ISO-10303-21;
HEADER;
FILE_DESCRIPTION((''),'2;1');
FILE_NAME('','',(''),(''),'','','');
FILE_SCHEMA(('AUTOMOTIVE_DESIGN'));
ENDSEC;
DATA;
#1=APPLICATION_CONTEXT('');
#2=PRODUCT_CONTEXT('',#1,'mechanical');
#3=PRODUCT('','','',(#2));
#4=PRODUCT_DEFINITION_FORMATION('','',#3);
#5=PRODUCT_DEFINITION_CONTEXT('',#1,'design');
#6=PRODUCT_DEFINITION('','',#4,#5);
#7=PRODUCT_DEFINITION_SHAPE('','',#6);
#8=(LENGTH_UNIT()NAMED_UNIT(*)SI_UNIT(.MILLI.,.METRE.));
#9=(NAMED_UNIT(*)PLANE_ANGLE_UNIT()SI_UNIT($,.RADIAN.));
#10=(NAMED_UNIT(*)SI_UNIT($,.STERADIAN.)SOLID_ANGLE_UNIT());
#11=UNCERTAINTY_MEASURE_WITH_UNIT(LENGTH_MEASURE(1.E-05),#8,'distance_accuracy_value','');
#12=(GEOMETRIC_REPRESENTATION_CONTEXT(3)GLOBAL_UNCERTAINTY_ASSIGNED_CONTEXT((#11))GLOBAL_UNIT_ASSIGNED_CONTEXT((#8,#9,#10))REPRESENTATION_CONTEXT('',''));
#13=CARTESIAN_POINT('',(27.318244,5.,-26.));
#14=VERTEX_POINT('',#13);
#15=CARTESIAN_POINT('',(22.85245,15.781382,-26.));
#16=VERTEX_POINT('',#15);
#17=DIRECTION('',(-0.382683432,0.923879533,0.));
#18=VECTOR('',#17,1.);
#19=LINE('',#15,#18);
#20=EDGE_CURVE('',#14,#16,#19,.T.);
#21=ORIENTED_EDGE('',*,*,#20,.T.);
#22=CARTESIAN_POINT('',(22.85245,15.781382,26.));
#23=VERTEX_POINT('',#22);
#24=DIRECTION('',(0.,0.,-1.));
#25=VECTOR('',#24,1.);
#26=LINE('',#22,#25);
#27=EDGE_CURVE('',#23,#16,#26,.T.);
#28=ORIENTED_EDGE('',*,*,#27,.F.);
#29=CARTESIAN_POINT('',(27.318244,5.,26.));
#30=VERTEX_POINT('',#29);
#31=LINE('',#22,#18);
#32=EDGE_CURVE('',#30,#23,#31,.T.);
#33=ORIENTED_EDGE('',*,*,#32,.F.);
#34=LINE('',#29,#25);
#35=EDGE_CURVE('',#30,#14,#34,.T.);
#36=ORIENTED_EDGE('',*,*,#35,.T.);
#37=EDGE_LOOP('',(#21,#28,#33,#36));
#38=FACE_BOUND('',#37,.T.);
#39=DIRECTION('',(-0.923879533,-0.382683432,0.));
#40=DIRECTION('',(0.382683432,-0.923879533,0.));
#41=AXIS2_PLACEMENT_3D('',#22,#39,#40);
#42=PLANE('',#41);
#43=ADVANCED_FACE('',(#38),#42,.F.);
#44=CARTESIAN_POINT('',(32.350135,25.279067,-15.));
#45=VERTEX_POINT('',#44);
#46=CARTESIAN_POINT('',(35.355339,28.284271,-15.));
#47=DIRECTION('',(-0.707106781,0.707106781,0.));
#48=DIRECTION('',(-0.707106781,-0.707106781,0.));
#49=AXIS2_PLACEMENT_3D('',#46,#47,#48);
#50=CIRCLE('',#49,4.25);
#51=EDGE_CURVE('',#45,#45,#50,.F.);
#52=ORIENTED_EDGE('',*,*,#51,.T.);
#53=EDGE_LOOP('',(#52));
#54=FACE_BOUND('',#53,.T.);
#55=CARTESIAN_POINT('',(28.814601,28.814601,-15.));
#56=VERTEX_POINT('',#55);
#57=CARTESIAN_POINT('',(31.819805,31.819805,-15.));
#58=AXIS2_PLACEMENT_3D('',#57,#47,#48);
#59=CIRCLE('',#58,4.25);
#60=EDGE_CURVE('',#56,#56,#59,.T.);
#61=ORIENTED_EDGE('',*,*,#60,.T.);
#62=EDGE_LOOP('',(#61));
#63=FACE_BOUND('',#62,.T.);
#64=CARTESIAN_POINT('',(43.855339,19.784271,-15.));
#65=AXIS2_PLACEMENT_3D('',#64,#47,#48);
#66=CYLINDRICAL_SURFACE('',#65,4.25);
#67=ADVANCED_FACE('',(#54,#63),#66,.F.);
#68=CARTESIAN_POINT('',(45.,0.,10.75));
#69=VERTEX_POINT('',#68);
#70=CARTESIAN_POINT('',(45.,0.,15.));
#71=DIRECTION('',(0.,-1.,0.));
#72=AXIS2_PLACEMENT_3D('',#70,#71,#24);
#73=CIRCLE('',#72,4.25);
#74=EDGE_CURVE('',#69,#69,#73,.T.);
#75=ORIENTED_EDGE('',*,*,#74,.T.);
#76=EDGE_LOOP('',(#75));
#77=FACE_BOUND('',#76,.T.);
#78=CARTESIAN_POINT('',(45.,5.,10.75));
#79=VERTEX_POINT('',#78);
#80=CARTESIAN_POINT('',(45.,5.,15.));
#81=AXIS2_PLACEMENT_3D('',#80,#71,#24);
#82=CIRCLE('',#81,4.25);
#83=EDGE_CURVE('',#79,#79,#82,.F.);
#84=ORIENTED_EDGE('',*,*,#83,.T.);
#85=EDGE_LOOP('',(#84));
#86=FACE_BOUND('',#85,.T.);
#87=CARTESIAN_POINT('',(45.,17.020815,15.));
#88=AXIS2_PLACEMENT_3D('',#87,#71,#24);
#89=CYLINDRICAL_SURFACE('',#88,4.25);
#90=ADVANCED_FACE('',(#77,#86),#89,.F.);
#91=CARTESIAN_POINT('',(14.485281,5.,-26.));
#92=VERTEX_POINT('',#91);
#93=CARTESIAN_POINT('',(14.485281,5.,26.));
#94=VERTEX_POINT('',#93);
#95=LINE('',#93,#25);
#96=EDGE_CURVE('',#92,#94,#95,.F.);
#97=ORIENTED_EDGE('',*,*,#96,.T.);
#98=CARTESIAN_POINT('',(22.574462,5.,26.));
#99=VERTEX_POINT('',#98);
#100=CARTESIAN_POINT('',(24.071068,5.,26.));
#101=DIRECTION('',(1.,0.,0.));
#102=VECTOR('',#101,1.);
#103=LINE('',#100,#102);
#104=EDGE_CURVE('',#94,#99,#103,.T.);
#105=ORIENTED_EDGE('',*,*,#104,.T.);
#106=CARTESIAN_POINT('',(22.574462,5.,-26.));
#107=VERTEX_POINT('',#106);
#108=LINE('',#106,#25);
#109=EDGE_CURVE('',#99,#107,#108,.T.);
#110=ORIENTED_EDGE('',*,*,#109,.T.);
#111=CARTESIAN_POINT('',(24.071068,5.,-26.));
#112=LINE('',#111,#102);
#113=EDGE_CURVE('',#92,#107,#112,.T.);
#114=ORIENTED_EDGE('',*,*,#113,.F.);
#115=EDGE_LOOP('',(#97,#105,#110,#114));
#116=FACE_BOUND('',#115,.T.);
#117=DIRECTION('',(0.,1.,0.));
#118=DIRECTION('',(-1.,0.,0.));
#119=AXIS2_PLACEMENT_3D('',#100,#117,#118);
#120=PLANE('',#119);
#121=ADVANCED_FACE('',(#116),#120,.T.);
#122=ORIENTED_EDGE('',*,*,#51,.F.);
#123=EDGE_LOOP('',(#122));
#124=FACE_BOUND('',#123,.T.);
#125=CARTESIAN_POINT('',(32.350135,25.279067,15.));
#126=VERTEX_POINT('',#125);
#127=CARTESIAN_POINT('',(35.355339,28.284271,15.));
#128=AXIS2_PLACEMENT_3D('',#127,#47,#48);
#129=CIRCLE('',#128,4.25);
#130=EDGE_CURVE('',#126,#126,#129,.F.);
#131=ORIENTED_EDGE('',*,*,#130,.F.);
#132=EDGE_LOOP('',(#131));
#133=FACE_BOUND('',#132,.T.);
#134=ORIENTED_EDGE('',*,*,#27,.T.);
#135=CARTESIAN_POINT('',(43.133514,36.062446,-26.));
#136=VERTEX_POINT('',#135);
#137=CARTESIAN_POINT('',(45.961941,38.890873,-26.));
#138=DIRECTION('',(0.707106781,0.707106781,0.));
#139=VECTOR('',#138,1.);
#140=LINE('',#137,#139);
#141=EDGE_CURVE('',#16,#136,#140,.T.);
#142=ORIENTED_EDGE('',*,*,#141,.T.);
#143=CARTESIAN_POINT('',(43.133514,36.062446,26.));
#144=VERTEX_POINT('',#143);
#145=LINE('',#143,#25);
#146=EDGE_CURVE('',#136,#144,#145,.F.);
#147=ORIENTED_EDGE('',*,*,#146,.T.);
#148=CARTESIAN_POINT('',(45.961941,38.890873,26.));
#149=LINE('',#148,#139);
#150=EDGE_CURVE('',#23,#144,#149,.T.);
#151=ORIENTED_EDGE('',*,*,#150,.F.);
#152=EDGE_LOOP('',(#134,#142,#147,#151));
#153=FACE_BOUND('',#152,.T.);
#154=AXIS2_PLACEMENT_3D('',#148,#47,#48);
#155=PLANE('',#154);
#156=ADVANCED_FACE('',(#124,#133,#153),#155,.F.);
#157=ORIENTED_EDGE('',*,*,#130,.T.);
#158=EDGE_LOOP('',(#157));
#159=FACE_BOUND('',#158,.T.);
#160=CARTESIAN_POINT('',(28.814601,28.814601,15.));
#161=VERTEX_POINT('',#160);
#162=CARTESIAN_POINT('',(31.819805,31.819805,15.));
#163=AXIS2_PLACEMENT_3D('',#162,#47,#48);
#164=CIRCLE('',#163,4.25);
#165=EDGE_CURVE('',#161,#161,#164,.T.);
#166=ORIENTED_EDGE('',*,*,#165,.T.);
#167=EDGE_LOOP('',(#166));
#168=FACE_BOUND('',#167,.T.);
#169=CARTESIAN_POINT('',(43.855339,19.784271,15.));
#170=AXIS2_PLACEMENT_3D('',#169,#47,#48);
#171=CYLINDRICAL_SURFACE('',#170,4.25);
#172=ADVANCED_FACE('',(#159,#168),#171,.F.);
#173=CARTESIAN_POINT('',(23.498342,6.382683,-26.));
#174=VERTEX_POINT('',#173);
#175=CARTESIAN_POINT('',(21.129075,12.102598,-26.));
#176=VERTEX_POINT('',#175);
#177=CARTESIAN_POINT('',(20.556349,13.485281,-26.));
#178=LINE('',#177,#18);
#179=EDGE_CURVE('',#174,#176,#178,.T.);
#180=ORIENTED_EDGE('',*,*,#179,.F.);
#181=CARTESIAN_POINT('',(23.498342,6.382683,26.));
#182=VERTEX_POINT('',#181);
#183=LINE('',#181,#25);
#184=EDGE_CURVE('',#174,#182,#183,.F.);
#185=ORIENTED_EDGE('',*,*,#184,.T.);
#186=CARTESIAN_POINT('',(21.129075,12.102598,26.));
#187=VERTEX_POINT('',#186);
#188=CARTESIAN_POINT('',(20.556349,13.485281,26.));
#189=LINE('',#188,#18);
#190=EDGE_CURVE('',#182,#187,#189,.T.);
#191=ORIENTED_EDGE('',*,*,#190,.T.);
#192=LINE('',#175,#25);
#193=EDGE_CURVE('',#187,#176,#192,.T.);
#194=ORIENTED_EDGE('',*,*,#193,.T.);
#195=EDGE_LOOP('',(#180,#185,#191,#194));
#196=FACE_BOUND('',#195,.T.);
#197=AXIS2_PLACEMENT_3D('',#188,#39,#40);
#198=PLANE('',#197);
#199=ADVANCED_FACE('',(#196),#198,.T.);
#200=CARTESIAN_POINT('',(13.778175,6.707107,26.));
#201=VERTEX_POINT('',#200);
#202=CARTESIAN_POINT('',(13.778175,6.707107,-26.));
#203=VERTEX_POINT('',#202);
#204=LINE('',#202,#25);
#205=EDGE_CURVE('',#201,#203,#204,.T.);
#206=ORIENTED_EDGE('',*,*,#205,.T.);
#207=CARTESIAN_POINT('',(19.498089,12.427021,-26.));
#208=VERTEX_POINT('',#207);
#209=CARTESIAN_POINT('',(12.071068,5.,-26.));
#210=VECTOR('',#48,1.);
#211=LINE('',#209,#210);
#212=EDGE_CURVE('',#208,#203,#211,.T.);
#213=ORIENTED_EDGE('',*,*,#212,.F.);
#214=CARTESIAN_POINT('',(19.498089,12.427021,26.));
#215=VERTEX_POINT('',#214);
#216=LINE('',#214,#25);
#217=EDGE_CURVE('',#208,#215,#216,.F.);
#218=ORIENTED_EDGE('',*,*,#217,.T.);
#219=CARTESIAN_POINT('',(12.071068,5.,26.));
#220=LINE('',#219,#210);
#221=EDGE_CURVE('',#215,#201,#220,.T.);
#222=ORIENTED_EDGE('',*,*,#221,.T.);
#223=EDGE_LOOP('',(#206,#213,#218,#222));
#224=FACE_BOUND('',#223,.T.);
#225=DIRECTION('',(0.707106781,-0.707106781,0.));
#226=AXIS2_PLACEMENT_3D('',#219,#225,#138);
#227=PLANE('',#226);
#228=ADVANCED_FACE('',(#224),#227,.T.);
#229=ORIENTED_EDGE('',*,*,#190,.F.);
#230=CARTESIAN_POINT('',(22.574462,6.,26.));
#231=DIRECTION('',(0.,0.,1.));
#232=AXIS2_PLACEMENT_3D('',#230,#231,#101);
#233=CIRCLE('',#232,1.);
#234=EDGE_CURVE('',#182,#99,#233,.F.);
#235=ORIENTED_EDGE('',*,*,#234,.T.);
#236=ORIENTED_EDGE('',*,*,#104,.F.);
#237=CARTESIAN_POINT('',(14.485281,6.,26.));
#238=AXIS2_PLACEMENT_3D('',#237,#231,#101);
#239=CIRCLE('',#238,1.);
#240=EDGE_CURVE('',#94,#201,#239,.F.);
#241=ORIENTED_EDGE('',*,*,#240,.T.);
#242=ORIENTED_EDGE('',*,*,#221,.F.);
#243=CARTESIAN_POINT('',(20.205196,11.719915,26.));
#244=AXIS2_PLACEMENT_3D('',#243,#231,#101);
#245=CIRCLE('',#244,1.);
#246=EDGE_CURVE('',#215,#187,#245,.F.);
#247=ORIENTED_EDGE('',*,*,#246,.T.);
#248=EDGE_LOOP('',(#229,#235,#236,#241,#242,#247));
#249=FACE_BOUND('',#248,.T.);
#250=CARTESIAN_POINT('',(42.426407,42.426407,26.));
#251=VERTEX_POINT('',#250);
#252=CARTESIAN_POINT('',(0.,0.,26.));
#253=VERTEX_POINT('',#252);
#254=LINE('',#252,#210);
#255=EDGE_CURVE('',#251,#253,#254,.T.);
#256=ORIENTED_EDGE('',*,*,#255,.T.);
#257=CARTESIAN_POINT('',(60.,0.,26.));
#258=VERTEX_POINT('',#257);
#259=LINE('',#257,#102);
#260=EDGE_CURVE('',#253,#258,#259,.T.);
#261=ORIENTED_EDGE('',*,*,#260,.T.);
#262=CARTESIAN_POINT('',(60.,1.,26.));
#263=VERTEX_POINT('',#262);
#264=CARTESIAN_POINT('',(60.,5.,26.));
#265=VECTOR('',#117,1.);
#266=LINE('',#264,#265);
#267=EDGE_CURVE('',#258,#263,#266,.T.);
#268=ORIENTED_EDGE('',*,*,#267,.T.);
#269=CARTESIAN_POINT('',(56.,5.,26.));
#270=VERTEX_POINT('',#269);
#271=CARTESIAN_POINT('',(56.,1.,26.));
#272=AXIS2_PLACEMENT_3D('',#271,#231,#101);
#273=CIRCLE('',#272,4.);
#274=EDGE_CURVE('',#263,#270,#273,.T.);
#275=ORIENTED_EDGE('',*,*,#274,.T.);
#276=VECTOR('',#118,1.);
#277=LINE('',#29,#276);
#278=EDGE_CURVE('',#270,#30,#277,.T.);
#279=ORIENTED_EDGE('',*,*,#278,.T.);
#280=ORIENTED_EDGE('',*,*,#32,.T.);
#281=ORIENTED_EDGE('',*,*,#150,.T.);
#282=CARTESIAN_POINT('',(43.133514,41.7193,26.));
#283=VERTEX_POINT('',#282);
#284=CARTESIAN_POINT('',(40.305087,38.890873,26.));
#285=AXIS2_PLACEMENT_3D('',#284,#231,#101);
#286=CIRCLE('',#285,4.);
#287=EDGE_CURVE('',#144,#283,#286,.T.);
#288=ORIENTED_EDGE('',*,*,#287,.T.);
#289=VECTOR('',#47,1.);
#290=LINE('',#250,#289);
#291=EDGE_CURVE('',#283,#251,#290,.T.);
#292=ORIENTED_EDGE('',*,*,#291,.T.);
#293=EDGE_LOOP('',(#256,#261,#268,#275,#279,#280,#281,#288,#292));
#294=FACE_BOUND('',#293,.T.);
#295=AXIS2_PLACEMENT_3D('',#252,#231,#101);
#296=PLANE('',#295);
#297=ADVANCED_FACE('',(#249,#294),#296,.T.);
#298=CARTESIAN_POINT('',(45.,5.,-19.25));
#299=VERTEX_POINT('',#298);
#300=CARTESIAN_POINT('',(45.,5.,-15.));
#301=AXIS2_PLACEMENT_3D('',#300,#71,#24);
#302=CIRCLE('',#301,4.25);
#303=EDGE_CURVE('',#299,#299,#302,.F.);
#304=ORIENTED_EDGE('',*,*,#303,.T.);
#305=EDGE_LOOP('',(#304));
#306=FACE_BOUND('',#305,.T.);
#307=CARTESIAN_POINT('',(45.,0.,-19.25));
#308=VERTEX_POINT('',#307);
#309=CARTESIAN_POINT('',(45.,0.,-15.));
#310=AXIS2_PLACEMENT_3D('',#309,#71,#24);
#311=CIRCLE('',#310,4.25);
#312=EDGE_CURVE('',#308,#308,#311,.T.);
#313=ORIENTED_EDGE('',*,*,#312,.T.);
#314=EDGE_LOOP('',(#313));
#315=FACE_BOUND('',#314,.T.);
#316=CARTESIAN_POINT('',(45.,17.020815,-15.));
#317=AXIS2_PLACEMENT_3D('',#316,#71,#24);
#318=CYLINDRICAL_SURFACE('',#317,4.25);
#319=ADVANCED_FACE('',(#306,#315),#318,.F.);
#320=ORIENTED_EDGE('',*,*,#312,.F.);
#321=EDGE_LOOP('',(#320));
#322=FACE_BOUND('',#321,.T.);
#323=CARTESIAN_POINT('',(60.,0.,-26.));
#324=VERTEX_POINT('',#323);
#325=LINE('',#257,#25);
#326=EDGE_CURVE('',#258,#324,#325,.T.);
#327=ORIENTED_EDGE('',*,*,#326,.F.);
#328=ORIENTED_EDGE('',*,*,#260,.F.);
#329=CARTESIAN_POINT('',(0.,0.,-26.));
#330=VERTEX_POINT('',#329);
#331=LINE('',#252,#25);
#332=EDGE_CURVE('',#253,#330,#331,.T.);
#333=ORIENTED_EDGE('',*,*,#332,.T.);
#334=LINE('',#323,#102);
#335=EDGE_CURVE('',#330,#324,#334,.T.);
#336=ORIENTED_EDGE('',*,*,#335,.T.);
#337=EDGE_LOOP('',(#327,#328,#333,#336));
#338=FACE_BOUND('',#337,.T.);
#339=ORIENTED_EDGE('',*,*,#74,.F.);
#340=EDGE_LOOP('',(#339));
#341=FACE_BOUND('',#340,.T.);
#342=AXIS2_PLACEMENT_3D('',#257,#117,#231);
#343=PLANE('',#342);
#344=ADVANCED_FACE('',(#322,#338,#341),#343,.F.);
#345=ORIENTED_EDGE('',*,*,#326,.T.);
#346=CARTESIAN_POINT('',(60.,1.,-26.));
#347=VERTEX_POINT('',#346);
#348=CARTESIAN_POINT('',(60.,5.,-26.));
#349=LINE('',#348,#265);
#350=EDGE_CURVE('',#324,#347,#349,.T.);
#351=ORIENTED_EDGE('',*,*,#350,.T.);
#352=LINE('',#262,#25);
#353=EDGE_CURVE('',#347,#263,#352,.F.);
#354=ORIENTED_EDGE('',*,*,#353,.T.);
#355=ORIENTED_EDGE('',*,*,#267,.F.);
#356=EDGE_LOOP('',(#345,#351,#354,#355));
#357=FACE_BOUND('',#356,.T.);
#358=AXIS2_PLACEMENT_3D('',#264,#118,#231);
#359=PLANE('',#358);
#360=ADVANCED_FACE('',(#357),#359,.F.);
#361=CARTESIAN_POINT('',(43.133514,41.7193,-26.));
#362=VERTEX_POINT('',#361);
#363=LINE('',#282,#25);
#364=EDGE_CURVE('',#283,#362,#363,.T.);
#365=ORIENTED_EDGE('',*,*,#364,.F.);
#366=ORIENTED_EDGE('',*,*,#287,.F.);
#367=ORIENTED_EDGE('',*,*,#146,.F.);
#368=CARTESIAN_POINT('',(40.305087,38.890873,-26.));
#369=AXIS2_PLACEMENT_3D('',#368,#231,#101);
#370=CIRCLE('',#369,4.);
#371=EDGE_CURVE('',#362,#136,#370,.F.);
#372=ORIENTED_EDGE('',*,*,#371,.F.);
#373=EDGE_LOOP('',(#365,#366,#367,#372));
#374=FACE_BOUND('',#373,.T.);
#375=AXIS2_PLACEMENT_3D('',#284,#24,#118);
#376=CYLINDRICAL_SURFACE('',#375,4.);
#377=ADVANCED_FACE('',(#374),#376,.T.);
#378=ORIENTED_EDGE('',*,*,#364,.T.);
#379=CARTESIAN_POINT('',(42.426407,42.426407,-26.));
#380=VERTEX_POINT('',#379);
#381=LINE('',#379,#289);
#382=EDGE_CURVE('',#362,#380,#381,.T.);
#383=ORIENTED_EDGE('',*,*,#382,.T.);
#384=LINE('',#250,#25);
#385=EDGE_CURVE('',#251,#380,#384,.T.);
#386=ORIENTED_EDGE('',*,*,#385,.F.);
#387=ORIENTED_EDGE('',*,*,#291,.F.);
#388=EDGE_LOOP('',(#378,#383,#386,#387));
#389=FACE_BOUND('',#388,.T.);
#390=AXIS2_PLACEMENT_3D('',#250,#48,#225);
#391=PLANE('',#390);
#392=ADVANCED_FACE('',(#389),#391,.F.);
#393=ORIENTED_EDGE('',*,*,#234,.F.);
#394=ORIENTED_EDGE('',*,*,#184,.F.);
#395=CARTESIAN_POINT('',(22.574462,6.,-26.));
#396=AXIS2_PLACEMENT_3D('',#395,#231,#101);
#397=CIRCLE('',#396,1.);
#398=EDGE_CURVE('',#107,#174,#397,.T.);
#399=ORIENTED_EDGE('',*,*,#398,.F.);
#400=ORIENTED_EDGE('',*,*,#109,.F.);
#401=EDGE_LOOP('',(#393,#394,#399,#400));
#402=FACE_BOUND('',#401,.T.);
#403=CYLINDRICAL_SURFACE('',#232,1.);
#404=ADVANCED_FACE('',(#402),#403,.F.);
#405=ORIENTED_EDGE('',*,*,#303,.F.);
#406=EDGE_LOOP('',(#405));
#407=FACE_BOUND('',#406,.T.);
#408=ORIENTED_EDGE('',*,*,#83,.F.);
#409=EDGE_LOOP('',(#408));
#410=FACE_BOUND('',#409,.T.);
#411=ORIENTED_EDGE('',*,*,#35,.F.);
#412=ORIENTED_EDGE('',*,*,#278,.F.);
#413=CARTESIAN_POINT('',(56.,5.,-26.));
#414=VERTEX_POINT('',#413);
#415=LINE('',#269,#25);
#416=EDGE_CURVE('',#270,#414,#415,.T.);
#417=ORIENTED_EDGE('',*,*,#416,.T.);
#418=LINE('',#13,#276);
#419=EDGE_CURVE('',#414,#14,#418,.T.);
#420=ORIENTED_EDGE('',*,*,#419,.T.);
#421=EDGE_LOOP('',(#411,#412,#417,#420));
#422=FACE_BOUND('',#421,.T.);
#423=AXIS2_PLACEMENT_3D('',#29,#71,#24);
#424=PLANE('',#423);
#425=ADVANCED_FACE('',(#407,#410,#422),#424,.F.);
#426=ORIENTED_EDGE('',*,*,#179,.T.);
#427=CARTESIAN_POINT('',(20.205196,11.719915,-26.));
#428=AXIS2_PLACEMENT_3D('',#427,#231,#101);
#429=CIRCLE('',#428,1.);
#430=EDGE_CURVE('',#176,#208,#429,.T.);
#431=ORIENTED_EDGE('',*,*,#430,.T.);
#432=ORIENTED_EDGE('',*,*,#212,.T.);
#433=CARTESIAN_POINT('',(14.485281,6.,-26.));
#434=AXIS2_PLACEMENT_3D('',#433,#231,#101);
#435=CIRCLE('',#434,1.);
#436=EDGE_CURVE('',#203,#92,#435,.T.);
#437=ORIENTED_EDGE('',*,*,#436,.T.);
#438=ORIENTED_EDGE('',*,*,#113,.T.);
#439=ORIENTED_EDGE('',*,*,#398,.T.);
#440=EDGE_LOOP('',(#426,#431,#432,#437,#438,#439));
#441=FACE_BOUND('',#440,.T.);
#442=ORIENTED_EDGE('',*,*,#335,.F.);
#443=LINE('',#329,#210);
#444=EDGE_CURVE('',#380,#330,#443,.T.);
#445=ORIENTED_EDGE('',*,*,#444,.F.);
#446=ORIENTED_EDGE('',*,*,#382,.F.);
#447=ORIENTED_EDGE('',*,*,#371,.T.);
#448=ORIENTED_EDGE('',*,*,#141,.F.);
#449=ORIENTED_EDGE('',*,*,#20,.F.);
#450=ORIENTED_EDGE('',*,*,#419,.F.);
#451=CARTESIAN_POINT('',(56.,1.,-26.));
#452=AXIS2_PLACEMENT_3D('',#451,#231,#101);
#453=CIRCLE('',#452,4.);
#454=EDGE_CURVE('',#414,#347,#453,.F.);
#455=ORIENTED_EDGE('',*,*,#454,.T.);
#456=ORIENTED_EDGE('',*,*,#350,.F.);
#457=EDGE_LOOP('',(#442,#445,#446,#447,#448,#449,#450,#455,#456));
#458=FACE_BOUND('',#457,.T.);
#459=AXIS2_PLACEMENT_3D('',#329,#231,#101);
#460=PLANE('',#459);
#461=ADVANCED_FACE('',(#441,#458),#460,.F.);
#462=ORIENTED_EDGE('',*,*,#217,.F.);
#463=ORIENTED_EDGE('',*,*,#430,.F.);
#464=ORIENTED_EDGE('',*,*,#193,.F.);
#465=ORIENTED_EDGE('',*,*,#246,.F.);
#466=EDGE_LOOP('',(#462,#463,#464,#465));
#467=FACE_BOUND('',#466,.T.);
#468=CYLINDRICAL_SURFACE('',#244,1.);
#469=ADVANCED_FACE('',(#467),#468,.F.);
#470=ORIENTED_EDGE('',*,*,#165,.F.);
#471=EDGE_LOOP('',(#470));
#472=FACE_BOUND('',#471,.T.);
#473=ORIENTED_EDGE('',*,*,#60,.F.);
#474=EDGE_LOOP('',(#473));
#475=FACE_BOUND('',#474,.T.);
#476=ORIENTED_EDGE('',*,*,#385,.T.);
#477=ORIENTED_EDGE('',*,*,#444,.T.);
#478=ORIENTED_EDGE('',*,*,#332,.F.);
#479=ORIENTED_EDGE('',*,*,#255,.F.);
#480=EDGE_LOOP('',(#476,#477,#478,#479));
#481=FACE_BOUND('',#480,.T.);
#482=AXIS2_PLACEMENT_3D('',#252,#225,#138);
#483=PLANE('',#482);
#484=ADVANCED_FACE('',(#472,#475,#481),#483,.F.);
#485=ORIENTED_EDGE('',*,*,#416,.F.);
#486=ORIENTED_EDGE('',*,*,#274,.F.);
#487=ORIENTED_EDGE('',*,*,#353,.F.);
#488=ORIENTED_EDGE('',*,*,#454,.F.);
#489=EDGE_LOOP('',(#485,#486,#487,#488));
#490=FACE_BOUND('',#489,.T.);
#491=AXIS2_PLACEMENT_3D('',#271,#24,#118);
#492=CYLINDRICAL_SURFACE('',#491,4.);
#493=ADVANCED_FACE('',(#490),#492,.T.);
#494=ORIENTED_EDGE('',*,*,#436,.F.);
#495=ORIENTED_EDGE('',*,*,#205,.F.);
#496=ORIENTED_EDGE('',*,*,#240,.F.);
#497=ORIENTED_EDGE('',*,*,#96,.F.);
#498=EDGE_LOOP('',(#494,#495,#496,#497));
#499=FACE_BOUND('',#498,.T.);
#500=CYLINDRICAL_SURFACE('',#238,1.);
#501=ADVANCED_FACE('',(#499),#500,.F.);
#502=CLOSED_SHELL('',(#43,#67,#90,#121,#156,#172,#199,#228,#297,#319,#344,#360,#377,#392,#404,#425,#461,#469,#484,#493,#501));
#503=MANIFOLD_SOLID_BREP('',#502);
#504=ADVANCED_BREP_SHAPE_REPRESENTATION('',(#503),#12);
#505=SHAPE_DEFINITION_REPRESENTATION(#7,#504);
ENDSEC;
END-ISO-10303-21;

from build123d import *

# Parameters (mm, degrees)
EXTRUDE_1_DEPTH     = 26
SKETCH_2_R          = 4.25
CUT_EXTRUDE_1_DEPTH = 5
SKETCH_3_R          = 4.25
CUT_EXTRUDE_2_DEPTH = 5
FILLET_1_R          = 4
FILLET_2_R          = 1


with BuildPart() as part:
    # Эскиз1 → Бобышка-Вытянуть1 (new body, symmetric)
    with BuildSketch(Plane.XY):
        Polygon((0, 0), (42.426406871, 42.426406871), (45.961940777, 38.890872965), (22.85244978, 15.781381968), (27.318244413, 5), (60, 5), (60, 0), align=None)
        Polygon((20.556349186, 13.485281374), (24.071067812, 5), (12.071067812, 5), align=None, mode=Mode.SUBTRACT)
    extrude(amount=EXTRUDE_1_DEPTH, both=True)

    # Эскиз2 → Вырез-Вытянуть1 (cut)
    with BuildSketch(Plane(origin=(0, 0, 0), x_dir=(0, 0, 1), z_dir=(-0.707106781, 0.707106781, 0))):
        with Locations(Location((-15, 45, 0), (0, 0, 270))):  # turned: the seam where the file's is
            Circle(SKETCH_2_R)
        with Locations(Location((15, 45, 0), (0, 0, 270))):  # turned: the seam where the file's is
            Circle(SKETCH_2_R)
    extrude(amount=-CUT_EXTRUDE_1_DEPTH, mode=Mode.SUBTRACT)

    # Эскиз3 → Вырез-Вытянуть2 (cut)
    with BuildSketch(Plane.XZ):
        with Locations(Location((45, 15, 0), (0, 0, 270))):  # turned: the seam where the file's is
            Circle(SKETCH_3_R)
        with Locations(Location((45, -15, 0), (0, 0, 270))):  # turned: the seam where the file's is
            Circle(SKETCH_3_R)
    extrude(amount=-CUT_EXTRUDE_2_DEPTH, mode=Mode.SUBTRACT)

    # Скругление1
    fillet_1_edges = [part.edges().sort_by_distance(p)[0] for p in [
        (45.961940777, 38.890872965, 0),
        (60, 5, 0),
    ]]
    fillet(fillet_1_edges, radius=FILLET_1_R)

    # Скругление2
    fillet_2_edges = [part.edges().sort_by_distance(p)[0] for p in [
        (20.556349186, 13.485281374, 0),
        (12.071067812, 5, 0),
        (24.071067812, 5, 0),
    ]]
    fillet(fillet_2_edges, radius=FILLET_2_R)


solid = part.part
